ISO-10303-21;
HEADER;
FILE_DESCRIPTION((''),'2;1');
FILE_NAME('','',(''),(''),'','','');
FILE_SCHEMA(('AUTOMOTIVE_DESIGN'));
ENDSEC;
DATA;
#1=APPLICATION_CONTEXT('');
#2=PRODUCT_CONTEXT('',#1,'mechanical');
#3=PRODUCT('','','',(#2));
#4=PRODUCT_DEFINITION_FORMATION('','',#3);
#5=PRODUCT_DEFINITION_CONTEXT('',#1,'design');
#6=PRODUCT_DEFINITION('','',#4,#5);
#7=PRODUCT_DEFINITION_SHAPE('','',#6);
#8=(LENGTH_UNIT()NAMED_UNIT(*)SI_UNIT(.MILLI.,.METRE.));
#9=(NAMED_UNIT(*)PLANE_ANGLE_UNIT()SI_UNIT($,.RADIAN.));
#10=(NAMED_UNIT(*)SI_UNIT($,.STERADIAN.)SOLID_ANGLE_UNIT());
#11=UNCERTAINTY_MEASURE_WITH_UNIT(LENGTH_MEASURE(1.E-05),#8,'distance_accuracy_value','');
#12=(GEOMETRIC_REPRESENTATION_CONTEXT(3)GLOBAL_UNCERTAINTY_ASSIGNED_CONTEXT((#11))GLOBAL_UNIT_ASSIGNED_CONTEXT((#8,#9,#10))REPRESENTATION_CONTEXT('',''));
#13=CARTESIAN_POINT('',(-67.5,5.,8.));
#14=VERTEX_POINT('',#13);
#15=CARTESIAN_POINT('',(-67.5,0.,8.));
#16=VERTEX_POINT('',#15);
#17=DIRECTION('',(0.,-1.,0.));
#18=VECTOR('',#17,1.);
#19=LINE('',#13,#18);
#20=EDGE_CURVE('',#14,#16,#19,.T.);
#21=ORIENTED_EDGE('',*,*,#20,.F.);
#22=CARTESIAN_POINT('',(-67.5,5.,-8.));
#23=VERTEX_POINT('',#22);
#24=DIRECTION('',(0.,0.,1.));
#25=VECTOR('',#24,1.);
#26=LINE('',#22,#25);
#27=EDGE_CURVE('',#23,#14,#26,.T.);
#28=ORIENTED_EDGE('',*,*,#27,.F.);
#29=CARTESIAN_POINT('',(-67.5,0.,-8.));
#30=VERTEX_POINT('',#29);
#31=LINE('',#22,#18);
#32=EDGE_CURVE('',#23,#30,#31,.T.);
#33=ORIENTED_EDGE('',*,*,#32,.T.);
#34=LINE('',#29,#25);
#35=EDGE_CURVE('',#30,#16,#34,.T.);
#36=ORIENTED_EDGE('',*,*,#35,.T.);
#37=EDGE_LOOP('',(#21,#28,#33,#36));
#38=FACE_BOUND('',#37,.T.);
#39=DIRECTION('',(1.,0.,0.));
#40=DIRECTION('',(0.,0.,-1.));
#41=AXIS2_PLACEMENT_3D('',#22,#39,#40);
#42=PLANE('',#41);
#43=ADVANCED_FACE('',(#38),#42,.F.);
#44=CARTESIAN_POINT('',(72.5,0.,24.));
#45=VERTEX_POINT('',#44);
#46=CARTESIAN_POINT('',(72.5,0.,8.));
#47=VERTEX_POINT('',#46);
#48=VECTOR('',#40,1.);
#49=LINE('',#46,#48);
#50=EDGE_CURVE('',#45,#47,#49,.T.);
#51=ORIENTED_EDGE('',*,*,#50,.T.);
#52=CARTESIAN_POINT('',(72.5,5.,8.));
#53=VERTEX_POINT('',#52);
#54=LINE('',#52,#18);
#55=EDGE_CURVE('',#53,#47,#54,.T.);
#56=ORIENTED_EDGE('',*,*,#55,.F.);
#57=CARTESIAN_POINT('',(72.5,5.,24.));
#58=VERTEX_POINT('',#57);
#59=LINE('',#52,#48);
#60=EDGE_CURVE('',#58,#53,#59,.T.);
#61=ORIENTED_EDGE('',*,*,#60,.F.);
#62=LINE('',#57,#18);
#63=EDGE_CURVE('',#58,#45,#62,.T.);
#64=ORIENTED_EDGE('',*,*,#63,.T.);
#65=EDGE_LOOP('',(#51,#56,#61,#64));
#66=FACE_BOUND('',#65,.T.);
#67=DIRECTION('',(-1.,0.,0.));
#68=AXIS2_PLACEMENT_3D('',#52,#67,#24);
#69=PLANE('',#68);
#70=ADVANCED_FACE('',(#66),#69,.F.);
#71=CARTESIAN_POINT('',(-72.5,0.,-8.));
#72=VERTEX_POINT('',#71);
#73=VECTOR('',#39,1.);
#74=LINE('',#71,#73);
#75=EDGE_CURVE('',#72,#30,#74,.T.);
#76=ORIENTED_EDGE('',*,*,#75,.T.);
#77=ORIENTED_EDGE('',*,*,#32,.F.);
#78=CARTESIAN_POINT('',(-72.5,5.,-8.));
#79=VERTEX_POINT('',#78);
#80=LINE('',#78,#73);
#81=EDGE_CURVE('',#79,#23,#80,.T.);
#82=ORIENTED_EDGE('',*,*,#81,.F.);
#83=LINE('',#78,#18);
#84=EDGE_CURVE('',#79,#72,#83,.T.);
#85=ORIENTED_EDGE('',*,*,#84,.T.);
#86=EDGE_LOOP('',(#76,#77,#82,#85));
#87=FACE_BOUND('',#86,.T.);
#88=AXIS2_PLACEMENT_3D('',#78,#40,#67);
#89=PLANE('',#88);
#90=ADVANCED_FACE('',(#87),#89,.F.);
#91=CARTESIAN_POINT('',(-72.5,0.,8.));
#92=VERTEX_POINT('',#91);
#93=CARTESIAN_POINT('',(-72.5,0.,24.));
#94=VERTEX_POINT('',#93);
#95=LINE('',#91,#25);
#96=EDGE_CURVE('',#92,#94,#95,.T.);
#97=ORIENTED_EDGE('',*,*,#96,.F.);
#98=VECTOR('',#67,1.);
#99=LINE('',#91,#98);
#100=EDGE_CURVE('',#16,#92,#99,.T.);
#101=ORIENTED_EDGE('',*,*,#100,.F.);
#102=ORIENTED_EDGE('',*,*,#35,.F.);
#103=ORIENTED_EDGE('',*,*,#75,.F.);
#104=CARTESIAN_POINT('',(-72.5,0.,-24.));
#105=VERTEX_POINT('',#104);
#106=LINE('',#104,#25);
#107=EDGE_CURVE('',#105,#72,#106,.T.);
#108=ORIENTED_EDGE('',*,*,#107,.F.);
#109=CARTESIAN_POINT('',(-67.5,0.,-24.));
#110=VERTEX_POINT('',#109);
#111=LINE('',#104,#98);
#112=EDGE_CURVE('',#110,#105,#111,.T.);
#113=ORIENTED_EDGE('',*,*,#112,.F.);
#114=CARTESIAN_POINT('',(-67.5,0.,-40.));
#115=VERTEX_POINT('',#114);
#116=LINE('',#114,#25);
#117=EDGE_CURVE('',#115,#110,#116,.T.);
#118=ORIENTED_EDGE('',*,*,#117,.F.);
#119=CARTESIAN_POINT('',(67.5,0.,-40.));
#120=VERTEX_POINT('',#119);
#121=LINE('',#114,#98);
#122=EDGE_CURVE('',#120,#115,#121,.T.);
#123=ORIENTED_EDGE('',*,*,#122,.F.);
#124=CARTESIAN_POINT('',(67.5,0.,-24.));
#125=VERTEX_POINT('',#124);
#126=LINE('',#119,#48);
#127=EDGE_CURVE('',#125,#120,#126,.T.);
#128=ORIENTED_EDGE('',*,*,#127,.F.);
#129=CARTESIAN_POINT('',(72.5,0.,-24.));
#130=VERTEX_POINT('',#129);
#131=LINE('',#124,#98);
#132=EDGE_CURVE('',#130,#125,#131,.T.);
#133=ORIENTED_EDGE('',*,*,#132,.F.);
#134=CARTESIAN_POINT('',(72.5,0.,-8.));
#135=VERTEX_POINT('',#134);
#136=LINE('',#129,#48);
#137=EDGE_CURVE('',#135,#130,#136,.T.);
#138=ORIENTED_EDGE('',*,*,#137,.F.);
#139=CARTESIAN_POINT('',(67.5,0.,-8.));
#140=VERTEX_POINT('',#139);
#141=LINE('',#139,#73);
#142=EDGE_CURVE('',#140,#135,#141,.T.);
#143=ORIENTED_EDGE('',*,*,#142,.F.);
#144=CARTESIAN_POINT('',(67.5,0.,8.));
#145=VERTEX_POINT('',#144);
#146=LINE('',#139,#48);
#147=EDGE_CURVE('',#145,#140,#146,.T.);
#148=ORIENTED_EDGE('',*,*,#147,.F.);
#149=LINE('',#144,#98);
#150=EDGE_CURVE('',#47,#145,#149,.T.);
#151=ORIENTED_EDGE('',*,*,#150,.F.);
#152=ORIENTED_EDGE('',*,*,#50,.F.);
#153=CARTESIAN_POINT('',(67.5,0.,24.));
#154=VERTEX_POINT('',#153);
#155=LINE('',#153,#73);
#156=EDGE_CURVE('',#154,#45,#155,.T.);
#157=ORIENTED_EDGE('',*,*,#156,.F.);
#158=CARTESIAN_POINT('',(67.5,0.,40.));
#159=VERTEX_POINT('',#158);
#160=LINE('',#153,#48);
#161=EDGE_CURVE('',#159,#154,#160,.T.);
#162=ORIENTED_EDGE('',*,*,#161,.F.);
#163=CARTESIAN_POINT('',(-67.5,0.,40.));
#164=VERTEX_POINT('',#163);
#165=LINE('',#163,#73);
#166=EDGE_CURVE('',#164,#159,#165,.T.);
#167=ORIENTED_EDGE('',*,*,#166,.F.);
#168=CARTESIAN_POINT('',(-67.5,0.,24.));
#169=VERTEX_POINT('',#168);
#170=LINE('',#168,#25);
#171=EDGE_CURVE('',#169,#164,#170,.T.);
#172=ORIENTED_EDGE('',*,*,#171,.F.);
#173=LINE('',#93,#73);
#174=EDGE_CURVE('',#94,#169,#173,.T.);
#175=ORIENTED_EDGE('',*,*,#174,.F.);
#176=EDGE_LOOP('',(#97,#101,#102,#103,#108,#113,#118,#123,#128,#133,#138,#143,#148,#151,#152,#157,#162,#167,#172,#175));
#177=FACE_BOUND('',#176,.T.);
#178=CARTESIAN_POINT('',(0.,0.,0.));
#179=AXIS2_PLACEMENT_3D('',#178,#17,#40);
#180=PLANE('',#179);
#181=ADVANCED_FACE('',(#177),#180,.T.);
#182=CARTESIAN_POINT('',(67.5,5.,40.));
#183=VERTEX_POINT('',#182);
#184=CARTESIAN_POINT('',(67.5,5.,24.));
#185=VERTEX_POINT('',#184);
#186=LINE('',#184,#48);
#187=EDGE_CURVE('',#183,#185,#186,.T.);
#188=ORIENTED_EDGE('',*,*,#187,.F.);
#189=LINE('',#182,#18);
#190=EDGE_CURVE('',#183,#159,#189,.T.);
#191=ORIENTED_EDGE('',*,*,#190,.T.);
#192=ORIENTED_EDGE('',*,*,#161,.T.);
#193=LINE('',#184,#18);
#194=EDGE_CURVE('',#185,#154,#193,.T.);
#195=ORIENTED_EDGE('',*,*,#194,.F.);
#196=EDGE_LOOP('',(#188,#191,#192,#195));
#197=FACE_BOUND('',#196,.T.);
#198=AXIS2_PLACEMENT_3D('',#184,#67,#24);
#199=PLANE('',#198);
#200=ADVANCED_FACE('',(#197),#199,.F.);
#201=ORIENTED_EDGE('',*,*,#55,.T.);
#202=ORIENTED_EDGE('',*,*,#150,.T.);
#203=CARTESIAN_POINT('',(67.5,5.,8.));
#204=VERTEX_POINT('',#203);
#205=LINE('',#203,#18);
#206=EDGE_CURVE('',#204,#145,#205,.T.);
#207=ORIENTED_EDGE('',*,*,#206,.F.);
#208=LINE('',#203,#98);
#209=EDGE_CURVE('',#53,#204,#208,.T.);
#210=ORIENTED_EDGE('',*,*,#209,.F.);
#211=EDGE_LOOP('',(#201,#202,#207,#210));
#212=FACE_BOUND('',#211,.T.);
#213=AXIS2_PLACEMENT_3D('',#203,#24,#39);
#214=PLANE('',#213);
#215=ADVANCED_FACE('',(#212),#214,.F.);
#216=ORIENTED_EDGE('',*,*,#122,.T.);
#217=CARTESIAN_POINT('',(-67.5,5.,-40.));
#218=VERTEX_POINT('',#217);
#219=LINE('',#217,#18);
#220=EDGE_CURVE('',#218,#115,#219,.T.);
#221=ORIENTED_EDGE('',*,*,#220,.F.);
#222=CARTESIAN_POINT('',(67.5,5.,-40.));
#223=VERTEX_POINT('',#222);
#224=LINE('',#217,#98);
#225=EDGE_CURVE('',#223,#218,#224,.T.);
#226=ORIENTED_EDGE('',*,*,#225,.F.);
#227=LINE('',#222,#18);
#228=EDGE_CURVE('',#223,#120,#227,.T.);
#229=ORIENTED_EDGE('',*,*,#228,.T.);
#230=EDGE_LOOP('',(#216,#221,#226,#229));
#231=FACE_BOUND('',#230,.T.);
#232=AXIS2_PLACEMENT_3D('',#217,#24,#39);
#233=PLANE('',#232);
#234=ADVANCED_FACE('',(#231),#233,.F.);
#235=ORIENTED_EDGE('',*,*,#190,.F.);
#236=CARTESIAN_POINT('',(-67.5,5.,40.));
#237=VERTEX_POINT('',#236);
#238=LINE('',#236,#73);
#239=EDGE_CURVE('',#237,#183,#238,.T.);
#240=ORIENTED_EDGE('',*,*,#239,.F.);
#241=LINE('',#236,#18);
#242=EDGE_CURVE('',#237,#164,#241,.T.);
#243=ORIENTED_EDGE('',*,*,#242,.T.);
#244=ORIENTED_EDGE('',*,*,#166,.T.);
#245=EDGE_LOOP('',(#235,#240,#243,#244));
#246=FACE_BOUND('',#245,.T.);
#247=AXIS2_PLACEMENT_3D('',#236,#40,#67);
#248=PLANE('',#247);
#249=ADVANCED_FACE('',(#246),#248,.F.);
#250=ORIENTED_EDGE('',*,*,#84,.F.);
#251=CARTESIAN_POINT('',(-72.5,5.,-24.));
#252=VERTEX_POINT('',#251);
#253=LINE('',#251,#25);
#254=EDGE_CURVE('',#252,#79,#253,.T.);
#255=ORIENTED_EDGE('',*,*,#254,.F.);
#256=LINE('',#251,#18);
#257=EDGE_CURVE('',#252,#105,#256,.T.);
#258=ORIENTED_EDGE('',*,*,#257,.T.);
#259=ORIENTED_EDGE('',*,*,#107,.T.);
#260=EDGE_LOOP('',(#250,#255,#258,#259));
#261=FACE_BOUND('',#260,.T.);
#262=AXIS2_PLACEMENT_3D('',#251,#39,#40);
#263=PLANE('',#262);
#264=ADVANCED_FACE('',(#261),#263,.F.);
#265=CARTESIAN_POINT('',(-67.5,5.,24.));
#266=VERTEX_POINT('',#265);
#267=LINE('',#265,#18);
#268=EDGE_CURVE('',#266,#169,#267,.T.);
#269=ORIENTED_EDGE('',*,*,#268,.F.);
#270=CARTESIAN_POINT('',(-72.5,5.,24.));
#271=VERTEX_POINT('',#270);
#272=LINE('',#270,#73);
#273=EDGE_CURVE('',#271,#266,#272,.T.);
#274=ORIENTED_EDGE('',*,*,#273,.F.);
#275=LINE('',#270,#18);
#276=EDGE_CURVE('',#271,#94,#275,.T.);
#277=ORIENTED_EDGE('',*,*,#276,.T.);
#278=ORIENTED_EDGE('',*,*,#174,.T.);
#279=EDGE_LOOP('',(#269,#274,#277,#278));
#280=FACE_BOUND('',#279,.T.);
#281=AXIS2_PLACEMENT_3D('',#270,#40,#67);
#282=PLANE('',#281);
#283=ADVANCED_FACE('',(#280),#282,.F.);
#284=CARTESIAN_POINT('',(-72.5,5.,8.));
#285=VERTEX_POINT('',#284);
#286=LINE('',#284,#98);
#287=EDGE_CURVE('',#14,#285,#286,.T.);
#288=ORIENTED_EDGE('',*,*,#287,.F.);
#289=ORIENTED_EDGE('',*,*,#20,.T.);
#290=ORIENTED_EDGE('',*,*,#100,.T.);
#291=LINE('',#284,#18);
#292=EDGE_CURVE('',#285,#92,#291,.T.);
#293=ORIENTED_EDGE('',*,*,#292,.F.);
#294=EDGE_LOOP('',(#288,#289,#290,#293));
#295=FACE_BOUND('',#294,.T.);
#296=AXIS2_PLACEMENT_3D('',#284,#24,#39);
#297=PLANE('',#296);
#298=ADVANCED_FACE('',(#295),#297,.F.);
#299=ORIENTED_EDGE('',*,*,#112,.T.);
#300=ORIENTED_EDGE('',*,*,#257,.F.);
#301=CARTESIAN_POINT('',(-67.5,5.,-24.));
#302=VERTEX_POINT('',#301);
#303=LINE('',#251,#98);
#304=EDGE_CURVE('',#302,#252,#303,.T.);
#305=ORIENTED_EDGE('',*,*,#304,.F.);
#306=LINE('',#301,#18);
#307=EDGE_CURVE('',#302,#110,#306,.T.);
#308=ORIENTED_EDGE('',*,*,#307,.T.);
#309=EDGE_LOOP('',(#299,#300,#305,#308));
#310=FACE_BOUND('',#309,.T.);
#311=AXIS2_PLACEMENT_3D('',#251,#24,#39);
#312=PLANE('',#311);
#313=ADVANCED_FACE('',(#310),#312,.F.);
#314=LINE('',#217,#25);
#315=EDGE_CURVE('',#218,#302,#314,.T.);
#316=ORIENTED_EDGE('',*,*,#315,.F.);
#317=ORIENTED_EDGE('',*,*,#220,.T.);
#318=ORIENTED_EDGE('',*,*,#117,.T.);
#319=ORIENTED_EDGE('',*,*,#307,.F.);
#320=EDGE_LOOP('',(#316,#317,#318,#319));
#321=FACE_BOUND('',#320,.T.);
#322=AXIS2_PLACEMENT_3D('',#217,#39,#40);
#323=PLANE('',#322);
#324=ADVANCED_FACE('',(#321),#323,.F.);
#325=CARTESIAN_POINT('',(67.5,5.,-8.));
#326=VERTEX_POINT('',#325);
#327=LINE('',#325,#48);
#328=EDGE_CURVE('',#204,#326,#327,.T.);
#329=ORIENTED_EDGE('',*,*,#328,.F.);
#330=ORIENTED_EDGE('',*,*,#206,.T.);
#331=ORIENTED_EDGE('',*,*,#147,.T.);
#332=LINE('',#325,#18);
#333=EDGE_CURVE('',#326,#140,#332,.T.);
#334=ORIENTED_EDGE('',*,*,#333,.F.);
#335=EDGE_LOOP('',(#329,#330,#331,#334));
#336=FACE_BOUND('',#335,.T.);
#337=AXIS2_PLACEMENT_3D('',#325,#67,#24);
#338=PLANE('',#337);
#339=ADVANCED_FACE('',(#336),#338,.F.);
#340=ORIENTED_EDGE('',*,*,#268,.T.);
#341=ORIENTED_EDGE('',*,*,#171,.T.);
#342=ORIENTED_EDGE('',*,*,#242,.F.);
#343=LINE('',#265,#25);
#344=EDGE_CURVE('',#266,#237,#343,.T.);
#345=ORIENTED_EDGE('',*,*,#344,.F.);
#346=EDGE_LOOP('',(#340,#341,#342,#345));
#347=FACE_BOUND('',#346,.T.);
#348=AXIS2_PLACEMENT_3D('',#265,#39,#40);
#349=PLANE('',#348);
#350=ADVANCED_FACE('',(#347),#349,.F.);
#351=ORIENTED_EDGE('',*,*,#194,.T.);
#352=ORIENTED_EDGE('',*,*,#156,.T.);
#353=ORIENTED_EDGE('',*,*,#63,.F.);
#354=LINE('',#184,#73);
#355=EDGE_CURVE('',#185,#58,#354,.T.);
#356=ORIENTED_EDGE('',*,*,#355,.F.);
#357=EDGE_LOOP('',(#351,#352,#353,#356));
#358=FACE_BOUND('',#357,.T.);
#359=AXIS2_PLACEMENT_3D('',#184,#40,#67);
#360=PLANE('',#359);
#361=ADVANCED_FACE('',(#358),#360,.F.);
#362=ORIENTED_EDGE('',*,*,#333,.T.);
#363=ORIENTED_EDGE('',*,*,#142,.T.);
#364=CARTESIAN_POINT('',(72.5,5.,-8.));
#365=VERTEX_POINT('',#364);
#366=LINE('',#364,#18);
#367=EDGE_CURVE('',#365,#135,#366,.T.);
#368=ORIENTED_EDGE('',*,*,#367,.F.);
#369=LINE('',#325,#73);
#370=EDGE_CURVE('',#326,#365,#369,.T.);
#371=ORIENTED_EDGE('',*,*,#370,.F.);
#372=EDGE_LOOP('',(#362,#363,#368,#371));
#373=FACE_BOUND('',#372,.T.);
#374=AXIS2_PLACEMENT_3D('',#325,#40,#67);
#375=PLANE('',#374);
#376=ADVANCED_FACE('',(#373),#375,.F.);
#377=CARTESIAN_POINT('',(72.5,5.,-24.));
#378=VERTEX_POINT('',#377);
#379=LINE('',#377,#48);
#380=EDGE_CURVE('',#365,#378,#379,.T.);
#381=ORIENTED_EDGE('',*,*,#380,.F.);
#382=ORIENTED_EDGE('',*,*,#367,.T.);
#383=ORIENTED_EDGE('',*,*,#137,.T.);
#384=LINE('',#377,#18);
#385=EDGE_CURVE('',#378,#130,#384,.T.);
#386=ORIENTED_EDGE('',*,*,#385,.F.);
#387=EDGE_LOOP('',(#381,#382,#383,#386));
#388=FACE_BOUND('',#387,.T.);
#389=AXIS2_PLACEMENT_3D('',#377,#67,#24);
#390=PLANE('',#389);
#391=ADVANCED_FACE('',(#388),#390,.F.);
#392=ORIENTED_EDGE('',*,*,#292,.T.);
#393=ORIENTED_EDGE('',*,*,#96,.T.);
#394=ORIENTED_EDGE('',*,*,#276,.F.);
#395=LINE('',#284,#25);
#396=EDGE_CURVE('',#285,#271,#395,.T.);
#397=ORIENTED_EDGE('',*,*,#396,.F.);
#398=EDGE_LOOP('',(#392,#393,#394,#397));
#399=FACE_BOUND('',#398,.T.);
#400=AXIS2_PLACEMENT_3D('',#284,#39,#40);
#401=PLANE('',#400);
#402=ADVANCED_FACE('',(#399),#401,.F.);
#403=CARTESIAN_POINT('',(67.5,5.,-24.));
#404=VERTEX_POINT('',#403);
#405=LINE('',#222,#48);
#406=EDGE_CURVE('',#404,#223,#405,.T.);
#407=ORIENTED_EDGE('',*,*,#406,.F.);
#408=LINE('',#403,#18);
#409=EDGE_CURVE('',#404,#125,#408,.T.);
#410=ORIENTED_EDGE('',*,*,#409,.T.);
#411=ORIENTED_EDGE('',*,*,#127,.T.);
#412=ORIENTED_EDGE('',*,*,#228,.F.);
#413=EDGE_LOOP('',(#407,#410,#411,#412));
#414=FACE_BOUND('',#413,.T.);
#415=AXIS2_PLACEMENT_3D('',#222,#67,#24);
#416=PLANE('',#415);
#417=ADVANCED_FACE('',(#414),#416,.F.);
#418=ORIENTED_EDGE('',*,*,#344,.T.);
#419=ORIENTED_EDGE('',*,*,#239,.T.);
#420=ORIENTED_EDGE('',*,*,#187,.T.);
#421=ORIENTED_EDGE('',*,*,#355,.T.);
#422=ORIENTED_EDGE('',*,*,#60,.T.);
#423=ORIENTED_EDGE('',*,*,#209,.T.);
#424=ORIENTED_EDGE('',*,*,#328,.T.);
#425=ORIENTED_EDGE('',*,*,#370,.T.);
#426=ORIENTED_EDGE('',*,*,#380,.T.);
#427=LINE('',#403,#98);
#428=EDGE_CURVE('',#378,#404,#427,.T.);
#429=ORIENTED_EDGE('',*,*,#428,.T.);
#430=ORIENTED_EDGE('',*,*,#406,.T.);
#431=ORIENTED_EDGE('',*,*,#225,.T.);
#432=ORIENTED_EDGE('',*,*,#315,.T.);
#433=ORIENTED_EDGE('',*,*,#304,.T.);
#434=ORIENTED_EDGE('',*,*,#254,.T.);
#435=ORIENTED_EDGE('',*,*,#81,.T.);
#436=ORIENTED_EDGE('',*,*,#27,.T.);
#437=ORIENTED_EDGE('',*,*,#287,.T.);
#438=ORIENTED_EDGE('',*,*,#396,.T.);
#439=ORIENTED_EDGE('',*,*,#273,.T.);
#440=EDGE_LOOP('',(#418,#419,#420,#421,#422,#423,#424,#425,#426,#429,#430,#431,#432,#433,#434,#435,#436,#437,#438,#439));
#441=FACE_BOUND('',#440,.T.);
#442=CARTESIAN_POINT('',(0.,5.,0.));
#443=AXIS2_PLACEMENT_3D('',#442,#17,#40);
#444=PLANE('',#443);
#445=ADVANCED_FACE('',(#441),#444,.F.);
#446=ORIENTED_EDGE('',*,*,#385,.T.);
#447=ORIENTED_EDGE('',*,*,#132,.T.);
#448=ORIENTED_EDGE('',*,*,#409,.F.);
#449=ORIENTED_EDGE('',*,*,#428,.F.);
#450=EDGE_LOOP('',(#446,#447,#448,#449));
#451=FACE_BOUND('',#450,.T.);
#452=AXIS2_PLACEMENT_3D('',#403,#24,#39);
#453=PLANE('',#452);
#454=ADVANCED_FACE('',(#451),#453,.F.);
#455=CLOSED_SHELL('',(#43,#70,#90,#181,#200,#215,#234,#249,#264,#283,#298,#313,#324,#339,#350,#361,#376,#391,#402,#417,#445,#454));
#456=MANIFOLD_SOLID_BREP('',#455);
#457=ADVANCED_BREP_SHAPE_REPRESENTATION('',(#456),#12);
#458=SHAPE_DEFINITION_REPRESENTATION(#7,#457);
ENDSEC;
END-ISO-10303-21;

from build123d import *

# Parameters (mm, degrees)
BOSS_EXTRUDE1_DEPTH = 5


with BuildPart() as part:
    # Sketch1 → Boss-Extrude1 (new body)
    with BuildSketch(Plane(origin=(0, 0, 0), x_dir=(1, 0, 0), z_dir=(0, 1, 0))):
        Polygon((-67.5, 40), (-67.5, 24), (-72.5, 24), (-72.5, 8), (-67.5, 8), (-67.5, -8), (-72.5, -8), (-72.5, -24), (-67.5, -24), (-67.5, -40), (67.5, -40), (67.5, -24), (72.5, -24), (72.5, -8), (67.5, -8), (67.5, 8), (72.5, 8), (72.5, 24), (67.5, 24), (67.5, 40), align=None)
    extrude(amount=BOSS_EXTRUDE1_DEPTH)


solid = part.part
